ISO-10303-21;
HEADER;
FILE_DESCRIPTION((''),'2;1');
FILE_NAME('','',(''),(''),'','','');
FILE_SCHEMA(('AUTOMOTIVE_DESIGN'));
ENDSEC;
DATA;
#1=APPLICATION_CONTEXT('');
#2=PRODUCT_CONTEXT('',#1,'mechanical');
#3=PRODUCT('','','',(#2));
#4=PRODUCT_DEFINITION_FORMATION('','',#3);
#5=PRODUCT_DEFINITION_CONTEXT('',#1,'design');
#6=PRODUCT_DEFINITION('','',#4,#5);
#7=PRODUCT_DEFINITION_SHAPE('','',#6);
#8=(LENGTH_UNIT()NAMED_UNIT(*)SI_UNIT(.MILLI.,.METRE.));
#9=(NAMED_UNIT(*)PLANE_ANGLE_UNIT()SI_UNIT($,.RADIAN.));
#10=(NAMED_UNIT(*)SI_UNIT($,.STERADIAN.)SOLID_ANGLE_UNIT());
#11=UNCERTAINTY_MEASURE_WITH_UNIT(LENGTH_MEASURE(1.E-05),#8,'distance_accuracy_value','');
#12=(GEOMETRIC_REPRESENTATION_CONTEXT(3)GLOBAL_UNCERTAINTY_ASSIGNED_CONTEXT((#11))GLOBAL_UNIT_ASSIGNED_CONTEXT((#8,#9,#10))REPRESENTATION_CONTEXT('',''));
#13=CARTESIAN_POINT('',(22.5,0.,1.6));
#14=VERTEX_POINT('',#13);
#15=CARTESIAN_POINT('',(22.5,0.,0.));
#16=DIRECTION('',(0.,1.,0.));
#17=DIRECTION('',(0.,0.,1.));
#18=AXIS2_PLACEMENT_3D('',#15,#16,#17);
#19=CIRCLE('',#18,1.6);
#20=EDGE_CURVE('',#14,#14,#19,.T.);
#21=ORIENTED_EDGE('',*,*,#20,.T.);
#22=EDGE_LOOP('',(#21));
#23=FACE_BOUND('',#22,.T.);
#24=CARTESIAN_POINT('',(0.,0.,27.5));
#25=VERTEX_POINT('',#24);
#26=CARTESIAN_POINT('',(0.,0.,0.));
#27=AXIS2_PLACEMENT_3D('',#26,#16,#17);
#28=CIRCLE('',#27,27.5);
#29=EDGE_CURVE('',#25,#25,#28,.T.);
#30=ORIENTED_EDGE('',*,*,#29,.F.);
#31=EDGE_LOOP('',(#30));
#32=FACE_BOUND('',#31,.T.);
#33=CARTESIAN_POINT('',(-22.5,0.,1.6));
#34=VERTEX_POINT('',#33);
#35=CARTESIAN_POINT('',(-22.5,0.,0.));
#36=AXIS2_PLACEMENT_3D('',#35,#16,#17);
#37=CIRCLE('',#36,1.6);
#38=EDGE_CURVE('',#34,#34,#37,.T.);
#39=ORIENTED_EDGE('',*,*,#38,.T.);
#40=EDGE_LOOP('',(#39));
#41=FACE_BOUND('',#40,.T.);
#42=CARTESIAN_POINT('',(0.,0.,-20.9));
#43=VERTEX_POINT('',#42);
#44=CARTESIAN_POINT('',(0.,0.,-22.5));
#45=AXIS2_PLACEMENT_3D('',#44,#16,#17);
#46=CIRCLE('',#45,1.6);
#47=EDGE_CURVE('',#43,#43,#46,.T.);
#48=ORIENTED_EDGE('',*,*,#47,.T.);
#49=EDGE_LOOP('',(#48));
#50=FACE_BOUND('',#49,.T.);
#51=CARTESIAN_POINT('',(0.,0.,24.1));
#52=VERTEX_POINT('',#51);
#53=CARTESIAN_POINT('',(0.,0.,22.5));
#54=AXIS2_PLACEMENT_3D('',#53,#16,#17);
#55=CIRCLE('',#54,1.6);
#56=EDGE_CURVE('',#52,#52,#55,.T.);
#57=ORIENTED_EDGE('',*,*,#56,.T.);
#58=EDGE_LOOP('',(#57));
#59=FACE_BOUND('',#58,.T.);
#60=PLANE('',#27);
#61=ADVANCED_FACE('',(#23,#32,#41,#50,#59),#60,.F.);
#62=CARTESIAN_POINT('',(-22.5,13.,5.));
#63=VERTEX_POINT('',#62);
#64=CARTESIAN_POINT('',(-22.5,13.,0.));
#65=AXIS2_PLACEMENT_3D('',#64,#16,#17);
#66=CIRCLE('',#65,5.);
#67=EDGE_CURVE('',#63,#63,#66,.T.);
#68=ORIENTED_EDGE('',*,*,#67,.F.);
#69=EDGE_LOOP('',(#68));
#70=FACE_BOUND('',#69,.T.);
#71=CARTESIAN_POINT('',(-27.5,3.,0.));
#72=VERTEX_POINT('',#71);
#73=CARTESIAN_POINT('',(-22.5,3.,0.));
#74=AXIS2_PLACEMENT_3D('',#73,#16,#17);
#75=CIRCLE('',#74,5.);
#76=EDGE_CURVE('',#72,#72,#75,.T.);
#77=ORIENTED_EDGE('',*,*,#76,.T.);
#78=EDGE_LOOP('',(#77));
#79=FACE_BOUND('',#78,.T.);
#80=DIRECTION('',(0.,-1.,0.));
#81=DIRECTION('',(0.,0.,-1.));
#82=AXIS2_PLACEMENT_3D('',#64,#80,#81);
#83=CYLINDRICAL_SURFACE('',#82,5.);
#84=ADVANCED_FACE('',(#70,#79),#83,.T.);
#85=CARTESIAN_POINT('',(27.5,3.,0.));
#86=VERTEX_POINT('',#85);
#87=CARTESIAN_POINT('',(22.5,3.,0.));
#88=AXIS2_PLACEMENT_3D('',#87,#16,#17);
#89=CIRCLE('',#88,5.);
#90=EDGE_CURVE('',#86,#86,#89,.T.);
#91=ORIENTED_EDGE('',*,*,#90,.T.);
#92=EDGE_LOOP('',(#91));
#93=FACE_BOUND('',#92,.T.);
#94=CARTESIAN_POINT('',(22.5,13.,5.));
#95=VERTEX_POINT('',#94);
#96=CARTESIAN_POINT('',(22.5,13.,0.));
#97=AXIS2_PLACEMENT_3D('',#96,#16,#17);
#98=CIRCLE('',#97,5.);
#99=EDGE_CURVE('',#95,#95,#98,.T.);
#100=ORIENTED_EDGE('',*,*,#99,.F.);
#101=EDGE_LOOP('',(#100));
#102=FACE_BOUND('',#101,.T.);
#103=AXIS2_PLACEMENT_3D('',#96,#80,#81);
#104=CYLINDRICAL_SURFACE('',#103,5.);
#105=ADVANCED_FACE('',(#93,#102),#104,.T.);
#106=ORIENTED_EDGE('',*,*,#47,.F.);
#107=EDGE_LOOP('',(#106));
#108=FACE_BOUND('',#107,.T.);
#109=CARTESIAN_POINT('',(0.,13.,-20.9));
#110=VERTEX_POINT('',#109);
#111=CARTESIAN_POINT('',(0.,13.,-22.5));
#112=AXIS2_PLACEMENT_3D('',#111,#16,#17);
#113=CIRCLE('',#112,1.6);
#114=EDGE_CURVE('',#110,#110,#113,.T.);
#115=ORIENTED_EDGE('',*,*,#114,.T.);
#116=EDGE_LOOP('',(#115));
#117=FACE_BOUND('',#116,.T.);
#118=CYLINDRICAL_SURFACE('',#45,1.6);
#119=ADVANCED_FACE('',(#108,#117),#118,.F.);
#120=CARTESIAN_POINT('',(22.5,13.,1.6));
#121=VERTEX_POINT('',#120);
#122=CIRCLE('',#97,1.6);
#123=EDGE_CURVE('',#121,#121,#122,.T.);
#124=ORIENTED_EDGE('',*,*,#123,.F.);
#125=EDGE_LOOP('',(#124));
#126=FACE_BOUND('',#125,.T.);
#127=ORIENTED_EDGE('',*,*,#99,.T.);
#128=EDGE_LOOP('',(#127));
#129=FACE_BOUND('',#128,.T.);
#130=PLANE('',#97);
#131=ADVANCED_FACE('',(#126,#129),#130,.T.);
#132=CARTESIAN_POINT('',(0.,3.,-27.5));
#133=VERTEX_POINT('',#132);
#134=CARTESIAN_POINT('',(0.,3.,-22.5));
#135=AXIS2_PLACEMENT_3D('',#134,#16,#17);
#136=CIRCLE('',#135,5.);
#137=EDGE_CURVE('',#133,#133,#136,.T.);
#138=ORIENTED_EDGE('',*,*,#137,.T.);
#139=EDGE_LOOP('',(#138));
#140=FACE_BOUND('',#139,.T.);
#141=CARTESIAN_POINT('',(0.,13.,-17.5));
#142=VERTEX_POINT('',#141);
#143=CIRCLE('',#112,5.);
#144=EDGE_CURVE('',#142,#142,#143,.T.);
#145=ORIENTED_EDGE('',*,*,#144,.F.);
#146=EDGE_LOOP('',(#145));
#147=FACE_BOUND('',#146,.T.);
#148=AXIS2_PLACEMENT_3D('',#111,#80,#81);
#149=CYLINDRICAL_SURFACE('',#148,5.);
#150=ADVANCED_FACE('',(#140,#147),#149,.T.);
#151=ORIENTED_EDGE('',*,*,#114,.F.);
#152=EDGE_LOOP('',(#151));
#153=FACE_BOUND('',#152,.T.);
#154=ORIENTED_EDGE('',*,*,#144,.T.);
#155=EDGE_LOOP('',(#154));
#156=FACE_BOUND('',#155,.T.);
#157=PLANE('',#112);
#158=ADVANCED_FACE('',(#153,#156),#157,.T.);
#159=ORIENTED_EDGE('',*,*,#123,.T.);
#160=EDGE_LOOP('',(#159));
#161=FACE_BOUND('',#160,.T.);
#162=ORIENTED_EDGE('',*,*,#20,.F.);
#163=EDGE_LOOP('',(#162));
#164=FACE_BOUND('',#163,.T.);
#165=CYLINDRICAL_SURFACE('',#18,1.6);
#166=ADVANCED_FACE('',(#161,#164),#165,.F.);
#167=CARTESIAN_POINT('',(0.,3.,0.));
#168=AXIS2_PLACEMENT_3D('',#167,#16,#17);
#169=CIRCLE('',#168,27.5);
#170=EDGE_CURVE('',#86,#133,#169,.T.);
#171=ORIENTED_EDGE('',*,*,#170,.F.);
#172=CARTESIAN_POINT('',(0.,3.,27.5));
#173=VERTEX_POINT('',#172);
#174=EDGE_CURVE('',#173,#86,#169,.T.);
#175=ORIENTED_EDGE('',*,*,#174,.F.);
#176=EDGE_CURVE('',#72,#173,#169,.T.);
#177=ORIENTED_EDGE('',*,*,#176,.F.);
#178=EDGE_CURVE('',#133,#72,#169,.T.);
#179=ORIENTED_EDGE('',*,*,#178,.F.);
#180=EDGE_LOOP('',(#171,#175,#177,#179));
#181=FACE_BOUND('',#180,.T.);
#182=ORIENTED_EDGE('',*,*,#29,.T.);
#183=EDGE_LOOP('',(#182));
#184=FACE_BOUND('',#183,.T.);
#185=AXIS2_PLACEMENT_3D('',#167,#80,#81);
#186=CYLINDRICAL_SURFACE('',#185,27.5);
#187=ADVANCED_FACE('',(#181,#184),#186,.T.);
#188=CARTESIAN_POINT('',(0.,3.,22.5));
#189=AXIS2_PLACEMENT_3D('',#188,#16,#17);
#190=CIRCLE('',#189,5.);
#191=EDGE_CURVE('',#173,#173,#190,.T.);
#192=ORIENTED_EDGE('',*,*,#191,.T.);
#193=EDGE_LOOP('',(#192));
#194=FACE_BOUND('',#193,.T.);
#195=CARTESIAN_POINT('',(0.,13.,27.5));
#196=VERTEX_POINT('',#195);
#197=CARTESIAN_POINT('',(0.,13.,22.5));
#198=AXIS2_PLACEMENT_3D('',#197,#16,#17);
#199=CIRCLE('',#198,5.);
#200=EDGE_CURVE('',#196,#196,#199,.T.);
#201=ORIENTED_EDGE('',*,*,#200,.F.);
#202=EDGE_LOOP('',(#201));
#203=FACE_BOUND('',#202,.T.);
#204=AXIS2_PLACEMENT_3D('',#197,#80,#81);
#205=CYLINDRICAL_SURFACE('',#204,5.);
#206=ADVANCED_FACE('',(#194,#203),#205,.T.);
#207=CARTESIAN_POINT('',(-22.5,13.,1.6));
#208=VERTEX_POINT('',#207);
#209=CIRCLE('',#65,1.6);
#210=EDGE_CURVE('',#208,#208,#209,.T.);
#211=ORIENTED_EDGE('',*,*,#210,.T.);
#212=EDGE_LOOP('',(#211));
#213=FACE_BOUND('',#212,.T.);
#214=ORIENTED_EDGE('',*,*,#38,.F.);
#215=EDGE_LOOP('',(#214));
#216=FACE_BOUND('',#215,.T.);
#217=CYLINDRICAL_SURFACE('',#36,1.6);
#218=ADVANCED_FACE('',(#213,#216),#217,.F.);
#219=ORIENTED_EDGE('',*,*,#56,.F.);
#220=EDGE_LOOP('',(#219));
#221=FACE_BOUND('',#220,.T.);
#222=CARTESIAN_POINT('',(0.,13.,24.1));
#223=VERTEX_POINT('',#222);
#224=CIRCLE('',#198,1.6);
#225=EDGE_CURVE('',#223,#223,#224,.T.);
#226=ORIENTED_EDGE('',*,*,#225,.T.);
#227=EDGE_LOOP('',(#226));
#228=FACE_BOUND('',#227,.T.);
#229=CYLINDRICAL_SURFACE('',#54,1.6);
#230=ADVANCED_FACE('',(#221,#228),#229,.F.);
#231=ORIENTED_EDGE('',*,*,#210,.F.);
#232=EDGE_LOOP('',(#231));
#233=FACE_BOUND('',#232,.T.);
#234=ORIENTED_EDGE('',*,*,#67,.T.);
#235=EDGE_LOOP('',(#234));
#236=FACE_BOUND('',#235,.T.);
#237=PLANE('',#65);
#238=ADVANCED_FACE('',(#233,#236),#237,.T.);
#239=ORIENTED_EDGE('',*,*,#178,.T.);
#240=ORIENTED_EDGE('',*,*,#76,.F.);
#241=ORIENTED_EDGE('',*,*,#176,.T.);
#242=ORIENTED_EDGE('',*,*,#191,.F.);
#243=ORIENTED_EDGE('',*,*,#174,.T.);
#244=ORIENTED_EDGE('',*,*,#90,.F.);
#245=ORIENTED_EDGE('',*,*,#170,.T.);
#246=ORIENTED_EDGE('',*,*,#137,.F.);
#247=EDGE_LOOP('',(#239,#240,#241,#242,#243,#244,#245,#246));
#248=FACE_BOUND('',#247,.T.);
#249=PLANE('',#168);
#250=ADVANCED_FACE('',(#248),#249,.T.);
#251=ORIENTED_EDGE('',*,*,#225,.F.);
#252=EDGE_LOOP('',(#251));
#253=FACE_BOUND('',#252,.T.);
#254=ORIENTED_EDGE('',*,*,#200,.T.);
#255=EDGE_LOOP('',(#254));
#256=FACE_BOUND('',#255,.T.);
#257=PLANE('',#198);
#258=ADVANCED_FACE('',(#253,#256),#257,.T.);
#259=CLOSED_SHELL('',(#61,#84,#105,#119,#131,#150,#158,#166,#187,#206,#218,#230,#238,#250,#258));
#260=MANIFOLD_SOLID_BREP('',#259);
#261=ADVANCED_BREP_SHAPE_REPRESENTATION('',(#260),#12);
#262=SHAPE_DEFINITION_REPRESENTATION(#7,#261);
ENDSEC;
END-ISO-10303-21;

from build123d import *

# Parameters (mm, degrees)
SKETCH1_R           = 27.5
BOSS_EXTRUDE1_DEPTH = 3
SKETCH3_R           = 5
BOSS_EXTRUDE2_DEPTH = 10
SKETCH4_R           = 1.6
CUT_EXTRUDE1_DEPTH  = 42.006097108


with BuildPart() as part:
    # Sketch1 → Boss-Extrude1 (new body)
    with BuildSketch(Plane(origin=(0, 0, 0), x_dir=(1, 0, 0), z_dir=(0, 1, 0))):
        with Locations(Location((0, 0, 0), (0, 0, 270))):
            Circle(SKETCH1_R)
    extrude(amount=BOSS_EXTRUDE1_DEPTH)

    # Sketch3 → Boss-Extrude2 (add)
    with BuildSketch(Plane(origin=(0, 3, 0), x_dir=(1, 0, 0), z_dir=(0, 1, 0))):
        with Locations(Location((0, 22.5, 0), (0, 0, 89.999599385))):
            Circle(SKETCH3_R)
        with Locations(Location((22.5, 0, 0), (0, 0, 359.999599385))):
            Circle(SKETCH3_R)
        with Locations(Location((0, -22.5, 0), (0, 0, 269.999599385))):
            Circle(SKETCH3_R)
        with Locations(Location((-22.5, 0, 0), (0, 0, 179.999599385))):
            Circle(SKETCH3_R)
    extrude(amount=BOSS_EXTRUDE2_DEPTH)

    # Sketch4 → Cut-Extrude1 (cut, through all)
    with BuildSketch(Plane(origin=(0, 13, 0), x_dir=(1, 0, 0), z_dir=(0, 1, 0))):
        with Locations(Location((0, 22.5, 0), (0, 0, 270))):
            Circle(SKETCH4_R)
        with Locations(Location((22.5, 0, 0), (0, 0, 270))):
            Circle(SKETCH4_R)
        with Locations(Location((0, -22.5, 0), (0, 0, 270))):
            Circle(SKETCH4_R)
        with Locations(Location((-22.5, 0, 0), (0, 0, 270))):
            Circle(SKETCH4_R)
    extrude(amount=-CUT_EXTRUDE1_DEPTH, mode=Mode.SUBTRACT)


solid = part.part
